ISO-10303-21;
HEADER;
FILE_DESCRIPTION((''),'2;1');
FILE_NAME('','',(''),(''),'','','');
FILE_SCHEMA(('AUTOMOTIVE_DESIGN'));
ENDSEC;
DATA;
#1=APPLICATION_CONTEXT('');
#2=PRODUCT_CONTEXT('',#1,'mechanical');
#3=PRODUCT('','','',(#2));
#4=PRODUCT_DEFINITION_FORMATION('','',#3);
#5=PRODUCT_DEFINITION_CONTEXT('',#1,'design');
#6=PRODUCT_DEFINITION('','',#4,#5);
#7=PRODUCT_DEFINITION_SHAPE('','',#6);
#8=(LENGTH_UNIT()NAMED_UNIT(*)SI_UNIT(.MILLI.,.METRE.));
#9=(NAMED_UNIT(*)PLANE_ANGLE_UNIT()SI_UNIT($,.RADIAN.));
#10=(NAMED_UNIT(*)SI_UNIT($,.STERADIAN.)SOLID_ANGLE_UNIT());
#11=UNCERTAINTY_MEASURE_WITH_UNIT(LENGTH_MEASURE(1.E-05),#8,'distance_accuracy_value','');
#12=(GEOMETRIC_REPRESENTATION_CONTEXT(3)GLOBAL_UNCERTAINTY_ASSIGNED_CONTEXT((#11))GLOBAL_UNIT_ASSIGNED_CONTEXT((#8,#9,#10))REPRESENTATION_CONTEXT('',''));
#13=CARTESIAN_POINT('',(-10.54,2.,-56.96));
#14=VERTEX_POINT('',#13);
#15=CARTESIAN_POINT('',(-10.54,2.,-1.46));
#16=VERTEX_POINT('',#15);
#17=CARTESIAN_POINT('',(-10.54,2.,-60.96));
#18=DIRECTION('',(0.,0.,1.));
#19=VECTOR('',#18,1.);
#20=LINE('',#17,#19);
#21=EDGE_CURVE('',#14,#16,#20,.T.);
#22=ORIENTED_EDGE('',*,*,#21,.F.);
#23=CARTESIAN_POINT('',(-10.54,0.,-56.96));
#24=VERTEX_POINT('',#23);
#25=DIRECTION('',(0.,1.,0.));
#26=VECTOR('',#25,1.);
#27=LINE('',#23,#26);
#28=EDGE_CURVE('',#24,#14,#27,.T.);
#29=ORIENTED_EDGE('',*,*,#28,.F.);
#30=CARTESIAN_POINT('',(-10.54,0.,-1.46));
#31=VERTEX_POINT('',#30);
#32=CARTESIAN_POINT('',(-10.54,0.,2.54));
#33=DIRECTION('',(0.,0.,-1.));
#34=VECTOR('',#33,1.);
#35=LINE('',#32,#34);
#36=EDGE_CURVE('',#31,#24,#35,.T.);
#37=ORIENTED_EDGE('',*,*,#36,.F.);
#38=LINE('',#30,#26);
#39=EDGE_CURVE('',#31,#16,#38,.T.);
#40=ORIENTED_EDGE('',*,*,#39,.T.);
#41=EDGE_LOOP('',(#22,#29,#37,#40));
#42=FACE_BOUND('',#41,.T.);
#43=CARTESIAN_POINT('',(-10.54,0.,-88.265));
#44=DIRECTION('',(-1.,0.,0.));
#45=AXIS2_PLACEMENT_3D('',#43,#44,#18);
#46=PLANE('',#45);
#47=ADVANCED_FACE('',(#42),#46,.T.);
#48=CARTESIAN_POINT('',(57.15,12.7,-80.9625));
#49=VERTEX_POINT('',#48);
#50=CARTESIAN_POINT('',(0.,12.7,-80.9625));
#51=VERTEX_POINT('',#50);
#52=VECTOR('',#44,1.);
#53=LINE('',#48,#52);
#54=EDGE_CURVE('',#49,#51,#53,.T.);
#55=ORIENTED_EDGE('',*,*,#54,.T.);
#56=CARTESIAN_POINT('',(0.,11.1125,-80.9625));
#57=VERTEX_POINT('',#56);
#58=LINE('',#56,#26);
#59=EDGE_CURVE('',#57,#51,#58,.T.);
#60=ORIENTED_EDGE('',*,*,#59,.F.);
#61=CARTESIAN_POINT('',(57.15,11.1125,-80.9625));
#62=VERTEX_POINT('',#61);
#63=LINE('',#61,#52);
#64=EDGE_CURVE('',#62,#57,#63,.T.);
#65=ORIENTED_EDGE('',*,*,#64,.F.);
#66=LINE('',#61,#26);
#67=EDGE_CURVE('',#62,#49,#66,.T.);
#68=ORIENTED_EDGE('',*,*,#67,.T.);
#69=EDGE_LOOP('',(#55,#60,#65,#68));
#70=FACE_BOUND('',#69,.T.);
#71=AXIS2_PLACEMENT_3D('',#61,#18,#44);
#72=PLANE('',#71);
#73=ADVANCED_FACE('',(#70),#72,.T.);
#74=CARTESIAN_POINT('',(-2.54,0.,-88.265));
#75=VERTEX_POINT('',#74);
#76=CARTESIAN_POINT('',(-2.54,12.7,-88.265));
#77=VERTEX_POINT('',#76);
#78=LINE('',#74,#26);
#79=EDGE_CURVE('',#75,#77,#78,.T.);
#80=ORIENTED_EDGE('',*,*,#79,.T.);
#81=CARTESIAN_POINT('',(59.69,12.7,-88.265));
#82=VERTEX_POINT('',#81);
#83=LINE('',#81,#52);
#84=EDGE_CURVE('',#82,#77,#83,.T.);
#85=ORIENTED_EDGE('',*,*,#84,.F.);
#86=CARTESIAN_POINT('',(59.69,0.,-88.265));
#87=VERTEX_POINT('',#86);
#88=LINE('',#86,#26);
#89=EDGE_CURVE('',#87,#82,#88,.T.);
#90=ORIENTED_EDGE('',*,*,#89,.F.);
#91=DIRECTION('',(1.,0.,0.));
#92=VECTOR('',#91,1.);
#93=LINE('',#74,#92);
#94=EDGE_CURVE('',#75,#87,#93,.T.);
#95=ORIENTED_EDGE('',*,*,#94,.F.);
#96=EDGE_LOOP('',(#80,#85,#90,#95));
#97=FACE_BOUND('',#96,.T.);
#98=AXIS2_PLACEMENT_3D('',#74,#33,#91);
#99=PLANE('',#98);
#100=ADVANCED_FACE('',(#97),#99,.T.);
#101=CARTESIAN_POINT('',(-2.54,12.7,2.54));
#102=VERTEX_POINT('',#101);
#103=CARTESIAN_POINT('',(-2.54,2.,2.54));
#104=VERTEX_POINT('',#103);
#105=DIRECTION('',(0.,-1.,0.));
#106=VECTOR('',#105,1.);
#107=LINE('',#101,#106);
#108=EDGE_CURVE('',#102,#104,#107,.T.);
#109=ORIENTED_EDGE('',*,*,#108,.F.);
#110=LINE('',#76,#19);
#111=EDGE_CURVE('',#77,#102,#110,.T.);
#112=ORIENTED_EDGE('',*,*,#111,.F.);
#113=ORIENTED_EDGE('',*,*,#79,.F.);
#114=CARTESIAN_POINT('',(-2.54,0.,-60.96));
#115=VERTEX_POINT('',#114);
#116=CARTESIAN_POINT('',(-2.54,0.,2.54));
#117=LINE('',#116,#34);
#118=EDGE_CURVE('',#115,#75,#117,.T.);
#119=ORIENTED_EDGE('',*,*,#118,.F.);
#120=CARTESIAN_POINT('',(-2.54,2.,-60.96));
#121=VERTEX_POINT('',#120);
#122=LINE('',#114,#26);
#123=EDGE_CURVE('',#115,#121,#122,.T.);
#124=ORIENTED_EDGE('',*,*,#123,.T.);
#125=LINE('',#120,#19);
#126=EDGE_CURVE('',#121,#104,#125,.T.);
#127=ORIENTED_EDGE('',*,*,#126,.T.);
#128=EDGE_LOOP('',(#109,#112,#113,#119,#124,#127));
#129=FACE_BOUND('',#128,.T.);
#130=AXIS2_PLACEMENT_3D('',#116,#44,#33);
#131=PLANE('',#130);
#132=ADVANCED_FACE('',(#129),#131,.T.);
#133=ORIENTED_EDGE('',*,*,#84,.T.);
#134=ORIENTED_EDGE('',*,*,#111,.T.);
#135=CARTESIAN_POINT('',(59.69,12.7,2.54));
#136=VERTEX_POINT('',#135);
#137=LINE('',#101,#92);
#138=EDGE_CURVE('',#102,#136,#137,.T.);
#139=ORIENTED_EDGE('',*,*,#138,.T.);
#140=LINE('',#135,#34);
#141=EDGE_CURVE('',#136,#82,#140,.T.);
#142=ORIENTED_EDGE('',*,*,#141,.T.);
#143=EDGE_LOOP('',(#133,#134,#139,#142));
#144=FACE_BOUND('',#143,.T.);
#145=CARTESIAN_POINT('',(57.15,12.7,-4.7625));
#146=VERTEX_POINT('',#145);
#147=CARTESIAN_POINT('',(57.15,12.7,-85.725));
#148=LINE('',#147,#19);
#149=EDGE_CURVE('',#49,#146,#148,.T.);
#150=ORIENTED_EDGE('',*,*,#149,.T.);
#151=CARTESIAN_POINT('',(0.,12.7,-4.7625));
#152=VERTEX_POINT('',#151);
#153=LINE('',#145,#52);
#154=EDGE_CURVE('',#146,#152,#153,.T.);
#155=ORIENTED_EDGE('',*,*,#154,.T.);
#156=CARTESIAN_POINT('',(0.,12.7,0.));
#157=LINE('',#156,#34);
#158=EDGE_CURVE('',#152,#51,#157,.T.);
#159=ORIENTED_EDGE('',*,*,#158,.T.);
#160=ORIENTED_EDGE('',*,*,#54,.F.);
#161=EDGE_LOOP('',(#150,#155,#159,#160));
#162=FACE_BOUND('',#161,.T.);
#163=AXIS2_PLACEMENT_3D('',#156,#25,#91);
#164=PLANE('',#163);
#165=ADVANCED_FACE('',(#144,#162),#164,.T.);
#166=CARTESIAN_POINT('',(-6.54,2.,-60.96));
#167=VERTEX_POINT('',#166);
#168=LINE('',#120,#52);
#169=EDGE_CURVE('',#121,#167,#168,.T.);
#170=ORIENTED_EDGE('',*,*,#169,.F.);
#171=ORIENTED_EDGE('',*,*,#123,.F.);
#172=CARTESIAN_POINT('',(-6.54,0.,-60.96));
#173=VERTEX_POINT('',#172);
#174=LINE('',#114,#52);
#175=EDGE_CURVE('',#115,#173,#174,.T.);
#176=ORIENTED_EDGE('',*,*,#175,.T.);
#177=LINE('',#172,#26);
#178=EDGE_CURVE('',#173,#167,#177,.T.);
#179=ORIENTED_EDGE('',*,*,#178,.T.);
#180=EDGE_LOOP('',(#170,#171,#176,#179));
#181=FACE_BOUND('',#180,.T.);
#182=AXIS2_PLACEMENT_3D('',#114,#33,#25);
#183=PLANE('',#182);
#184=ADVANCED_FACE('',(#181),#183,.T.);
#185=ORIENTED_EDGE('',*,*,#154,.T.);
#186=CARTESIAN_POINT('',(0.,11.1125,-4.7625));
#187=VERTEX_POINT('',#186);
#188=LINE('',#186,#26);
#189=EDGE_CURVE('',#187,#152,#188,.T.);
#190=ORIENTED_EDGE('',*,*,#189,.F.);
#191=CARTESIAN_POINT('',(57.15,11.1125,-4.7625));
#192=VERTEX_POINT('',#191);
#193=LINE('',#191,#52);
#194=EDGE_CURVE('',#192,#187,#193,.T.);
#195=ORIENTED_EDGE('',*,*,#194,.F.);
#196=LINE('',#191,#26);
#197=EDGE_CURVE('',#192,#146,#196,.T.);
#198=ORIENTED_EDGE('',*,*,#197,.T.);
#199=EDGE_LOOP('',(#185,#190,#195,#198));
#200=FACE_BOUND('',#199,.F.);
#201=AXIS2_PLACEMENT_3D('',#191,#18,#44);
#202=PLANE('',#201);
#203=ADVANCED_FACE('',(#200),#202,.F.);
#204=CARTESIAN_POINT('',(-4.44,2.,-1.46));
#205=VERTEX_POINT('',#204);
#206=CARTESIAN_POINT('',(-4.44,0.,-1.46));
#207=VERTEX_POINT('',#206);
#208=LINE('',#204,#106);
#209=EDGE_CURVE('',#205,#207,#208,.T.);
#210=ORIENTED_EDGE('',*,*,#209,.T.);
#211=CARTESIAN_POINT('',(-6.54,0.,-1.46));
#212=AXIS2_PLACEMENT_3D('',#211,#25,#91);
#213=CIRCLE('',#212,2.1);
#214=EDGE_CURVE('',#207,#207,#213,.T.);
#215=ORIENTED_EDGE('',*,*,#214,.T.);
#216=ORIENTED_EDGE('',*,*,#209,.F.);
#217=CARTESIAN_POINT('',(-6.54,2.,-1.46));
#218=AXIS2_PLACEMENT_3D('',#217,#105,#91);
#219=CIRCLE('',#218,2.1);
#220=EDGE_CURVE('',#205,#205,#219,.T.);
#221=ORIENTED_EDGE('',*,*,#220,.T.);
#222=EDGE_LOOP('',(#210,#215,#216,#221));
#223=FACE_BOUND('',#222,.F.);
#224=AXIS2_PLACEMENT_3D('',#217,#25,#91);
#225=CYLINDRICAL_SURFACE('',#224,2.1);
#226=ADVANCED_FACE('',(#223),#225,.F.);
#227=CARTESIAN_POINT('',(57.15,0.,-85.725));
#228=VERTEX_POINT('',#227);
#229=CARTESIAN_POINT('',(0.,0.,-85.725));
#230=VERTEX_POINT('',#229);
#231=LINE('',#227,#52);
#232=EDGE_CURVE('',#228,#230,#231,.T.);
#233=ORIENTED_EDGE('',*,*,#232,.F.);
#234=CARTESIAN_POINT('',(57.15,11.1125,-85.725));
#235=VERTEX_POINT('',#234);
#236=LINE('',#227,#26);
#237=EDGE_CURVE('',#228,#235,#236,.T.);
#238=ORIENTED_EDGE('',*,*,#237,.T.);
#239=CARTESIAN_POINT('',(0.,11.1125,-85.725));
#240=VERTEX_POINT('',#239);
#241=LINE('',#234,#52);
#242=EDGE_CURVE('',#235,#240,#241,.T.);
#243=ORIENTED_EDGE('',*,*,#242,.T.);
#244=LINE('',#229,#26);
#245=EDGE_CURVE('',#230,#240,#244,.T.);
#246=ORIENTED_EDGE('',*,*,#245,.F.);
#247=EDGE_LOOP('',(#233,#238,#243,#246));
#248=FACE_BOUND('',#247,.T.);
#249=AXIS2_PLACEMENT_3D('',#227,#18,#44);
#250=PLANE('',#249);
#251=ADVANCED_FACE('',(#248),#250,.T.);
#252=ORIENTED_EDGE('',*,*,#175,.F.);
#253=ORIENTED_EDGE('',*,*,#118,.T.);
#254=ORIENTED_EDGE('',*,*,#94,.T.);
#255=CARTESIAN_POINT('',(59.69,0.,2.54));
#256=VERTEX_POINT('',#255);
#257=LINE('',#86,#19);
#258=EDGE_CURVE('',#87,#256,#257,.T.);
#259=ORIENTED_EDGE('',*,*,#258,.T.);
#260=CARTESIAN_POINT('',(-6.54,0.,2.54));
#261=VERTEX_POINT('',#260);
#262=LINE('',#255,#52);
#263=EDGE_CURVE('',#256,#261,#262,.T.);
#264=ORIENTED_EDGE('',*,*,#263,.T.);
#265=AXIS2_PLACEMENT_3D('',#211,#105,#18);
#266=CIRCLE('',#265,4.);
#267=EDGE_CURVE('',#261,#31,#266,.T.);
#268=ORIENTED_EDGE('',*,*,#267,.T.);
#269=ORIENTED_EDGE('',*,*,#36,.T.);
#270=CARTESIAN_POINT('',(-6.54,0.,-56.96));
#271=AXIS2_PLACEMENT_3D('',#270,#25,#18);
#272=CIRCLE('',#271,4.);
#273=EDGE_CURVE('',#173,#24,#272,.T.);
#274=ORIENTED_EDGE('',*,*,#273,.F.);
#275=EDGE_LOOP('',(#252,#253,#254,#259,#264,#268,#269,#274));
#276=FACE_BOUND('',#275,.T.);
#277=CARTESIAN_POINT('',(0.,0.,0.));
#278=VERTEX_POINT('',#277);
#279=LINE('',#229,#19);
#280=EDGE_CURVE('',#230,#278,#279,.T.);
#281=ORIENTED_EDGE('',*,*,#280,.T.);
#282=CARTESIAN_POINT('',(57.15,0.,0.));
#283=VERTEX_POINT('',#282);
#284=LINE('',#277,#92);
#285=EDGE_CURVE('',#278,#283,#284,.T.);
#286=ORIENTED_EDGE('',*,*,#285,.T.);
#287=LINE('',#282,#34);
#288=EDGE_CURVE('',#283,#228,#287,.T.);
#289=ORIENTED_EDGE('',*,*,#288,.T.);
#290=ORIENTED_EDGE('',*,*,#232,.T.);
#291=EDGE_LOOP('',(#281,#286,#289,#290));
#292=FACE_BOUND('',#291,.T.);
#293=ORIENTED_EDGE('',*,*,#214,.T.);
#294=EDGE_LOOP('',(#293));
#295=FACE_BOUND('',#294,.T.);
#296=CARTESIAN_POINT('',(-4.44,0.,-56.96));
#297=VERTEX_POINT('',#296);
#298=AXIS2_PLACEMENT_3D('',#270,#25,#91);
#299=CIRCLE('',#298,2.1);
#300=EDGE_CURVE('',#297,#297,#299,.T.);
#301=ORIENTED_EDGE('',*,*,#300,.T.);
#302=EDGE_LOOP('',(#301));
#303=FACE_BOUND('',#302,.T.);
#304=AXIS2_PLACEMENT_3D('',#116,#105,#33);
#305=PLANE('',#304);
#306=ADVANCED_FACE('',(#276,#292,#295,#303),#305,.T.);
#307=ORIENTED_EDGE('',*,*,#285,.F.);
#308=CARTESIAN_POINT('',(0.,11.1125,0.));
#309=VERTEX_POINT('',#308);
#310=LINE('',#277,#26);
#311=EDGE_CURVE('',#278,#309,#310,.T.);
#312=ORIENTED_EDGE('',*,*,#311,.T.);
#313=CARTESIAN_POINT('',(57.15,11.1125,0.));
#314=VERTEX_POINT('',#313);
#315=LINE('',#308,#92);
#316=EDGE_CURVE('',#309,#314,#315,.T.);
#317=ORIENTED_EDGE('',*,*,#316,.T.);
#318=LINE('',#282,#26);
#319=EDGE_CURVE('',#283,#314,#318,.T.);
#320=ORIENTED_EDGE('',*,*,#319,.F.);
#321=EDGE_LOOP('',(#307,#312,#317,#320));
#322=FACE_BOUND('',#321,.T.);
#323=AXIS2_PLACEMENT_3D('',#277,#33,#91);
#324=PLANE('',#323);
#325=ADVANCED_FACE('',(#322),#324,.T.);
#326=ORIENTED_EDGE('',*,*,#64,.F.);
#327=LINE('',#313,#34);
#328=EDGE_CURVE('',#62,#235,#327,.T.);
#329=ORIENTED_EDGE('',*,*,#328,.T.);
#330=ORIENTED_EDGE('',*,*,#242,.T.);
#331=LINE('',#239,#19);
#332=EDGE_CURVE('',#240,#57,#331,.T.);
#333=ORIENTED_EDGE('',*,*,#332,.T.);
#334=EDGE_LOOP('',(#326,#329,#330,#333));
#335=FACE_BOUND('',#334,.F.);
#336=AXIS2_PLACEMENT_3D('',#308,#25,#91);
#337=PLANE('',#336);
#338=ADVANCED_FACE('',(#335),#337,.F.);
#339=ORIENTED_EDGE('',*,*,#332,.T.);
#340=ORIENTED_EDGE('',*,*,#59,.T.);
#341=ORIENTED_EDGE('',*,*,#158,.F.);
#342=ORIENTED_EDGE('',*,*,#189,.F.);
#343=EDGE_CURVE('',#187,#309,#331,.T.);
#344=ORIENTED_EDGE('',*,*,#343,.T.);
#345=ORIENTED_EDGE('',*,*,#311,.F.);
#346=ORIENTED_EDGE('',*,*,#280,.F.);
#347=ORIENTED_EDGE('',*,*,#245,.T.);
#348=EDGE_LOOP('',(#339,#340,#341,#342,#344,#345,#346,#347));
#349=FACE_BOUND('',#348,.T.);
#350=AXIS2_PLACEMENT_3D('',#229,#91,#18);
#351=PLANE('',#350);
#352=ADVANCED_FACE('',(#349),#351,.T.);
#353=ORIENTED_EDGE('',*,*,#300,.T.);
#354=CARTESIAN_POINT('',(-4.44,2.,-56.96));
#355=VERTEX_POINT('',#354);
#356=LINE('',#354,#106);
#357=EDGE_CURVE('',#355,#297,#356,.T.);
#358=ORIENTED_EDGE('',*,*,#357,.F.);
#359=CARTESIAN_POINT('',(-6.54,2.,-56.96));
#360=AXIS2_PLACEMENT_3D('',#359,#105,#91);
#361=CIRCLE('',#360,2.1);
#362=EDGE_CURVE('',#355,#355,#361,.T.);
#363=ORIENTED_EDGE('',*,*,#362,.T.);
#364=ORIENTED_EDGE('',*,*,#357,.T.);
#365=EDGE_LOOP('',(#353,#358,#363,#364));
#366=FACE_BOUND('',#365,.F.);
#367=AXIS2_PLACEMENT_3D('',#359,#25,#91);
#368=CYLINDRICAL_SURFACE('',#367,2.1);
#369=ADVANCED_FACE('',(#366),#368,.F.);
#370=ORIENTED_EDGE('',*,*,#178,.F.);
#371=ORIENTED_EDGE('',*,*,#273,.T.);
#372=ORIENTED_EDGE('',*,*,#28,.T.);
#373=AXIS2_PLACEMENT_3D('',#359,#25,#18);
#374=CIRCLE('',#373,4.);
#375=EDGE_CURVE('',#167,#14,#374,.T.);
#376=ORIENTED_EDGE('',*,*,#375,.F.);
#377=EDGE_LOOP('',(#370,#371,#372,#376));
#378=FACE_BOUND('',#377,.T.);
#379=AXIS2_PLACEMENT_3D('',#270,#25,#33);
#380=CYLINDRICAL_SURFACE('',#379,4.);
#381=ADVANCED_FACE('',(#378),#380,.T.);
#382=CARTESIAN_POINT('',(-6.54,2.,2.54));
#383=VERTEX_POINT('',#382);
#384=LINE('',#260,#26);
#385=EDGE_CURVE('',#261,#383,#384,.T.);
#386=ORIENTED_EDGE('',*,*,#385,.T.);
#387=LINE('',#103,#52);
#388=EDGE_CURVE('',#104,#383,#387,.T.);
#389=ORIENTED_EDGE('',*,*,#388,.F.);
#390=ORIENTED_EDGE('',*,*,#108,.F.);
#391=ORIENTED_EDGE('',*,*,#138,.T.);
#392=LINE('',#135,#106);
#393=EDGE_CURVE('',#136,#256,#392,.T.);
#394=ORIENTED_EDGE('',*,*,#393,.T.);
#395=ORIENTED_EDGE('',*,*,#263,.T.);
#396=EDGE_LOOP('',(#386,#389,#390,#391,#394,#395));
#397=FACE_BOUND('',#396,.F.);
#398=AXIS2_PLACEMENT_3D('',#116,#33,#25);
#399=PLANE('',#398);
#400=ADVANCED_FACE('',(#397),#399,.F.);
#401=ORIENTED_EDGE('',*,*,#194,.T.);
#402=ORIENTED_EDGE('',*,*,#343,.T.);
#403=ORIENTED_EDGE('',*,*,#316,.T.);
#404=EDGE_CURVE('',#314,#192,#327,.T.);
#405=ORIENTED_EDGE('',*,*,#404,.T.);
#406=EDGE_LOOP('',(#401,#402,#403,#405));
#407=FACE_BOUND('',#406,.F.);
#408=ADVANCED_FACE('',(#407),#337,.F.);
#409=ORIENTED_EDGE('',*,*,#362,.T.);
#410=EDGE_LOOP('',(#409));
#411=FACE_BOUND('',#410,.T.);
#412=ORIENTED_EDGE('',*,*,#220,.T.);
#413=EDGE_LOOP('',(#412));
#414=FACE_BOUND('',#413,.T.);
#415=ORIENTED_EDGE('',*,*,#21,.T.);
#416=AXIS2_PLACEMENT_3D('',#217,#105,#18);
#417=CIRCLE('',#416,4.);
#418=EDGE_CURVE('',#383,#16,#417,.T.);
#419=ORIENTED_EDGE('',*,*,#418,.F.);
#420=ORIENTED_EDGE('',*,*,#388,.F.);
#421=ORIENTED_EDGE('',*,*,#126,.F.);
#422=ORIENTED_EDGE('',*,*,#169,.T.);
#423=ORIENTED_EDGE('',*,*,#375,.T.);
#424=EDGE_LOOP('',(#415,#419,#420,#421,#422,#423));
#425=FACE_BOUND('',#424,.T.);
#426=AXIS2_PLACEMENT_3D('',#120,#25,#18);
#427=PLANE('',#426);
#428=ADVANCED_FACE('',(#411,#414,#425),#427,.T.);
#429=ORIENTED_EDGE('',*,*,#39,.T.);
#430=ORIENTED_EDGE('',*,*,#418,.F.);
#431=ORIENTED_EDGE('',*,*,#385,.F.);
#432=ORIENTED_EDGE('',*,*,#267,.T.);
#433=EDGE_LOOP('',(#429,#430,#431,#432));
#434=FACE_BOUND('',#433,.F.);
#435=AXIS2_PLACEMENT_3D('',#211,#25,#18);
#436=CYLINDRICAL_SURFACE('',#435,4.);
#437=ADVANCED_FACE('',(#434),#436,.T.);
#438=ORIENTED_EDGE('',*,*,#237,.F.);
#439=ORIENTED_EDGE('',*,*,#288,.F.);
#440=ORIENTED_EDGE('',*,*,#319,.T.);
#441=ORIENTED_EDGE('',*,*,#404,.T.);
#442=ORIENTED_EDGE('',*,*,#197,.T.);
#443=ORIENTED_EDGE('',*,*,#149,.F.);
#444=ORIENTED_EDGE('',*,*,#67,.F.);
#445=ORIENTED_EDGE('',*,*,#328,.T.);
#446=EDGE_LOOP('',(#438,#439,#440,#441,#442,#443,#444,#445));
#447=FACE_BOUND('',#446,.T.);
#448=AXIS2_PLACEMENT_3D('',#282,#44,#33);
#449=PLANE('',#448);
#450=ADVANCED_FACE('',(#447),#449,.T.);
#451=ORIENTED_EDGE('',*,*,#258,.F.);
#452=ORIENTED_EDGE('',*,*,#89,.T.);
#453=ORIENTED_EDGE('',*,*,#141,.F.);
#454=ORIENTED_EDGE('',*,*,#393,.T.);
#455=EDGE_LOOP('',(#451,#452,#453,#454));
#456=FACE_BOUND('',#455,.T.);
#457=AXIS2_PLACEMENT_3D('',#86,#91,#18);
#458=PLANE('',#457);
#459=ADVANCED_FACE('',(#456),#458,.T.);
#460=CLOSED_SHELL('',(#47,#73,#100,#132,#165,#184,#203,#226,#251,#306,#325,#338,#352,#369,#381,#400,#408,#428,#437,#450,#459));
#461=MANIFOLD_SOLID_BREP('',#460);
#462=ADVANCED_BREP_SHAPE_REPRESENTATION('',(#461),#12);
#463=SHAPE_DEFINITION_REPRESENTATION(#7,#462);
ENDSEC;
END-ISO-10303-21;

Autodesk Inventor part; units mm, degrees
ref_plane "YZ Plane" through (0, 0, 0) normal (1, 0, 0) x (0, 1, 0)
ref_plane "XZ Plane" through (0, 0, 0) normal (0, 1, 0) x (-1, 0, 0)
ref_plane "XY Plane" through (0, 0, 0) normal (0, 0, 1) x (1, 0, 0)
sketch "Sketch1" plane through (0, 0, 0) normal (0, 1, 0) x (-1, 0, 0)
  line L0 (0, 0) -> (-57.15, 0)
  line L1 (-57.15, 0) -> (-57.15, -85.725)
  line L2 (-57.15, -85.725) -> (0, -85.725)
  line L3 (0, -85.725) -> (0, 0)
  line L4 (-59.69, -88.265) -> (-59.69, 2.54)
  line L5 (-59.69, 2.54) -> (2.54, 2.54)
  line L6 (2.54, 2.54) -> (2.54, -88.265)
  line L7 (2.54, -88.265) -> (-59.69, -88.265)
  dimension "d0" = 57.15
  dimension "d1" = 85.725
  dimension "d2" = 2.54
extrude "Extrusion1" add sketch "Sketch1" along normal blind 11.1125
sketch "Sketch2" plane through (0, 11.1125, 0) normal (0, 1, 0) x (1, 0, 0)
  line L0 (57.15, 0) -> (0, 0) projected
  line L1 (0, 85.725) -> (57.15, 85.725) projected
  line L2 (0, 0) -> (0, 85.725) projected
  line L3 (57.15, 85.725) -> (57.15, 0) projected
  line L4 (0, 85.725) -> (57.15, 85.725)
  line L5 (57.15, 85.725) -> (57.15, 80.9625)
  line L6 (57.15, 80.9625) -> (0, 80.9625)
  line L7 (0, 80.9625) -> (0, 85.725)
  line L8 (59.69, 88.265) -> (-2.54, 88.265) projected
  line L9 (-2.54, -2.54) -> (59.69, -2.54) projected
  line L10 (0, 0) -> (57.15, 0)
  line L11 (57.15, 0) -> (57.15, 4.7625)
  line L12 (57.15, 4.7625) -> (0, 4.7625)
  line L13 (0, 4.7625) -> (0, 0)
  line L14 (0, 0) -> (0, 85.725) projected
  line L15 (0, 85.725) -> (57.15, 85.725) projected
  line L16 (57.15, 85.725) -> (57.15, 0) projected
  line L17 (57.15, 0) -> (0, 0) projected
  line L18 (59.69, -2.54) -> (59.69, 88.265) projected
  line L19 (59.69, 88.265) -> (-2.54, 88.265) projected
  line L20 (-2.54, 88.265) -> (-2.54, -2.54) projected
  line L21 (-2.54, -2.54) -> (59.69, -2.54) projected
  dimension "d5" = 4.7625
  dimension "d6" = 4.7625
extrude "Extrusion2" add sketch "Sketch2" along normal blind 1.5875 contours L0 L2 L12 L3 | L6 L2 L1 L3 | L18 L9 L20 L8
sketch "Sketch4" plane through (-2.54, 0, -88.265) normal (-1, 0, 0) x (0, 0, 1)
  line L0 (90.805, 0) -> (0, 0) projected
  line L1 (90.805, 0) -> (90.805, 12.7) projected
  line L2 (0, 12.7) -> (90.805, 12.7) projected
  line L3 (0, 0) -> (0, 12.7) projected
  line L4 (90.805, 0) -> (90.805, 12.7) projected
  line L5 (90.805, 0) -> (27.305, 0)
  line L6 (27.305, 0) -> (27.305, 2)
  line L7 (27.305, 2) -> (90.805, 2)
  line L8 (90.805, 2) -> (90.805, 0)
  point P0 (88.265, 0)
  dimension "d13" = 63.5
  dimension "d14" = 2
extrude "Extrusion4" add sketch "Sketch4" along normal blind 8 contours L0 L6 L7 L1
fillet "Fillet2" radius 4 2 edges at (-10.54, 1, 2.54) (-10.54, 1, -60.96)
sketch "Sketch5" plane through (-2.54, 2, 2.54) normal (0, 1, 0) x (1, 0, 0)
  line L0 (-8, 4) -> (-8, 59.5) projected
  line L1 (-8, 4) -> (0, 4)
  line L2 (0, 63.5) -> (0, 0) projected
  circle A0 centre (-4, 4) radius 2.1
  line L3 (-8, 59.5) -> (0, 59.5)
  circle A1 centre (-4, 59.5) radius 2.1
  point P0 (2.54, 2.54)
  dimension "d20" = 4.2
  dimension "d21" = 4.2
extrude "Extrusion5" cut sketch "Sketch5" against normal up to next contours A0 L1 | L1 A0 | A1 L3 | L3 A1
properties part number "MiniBreadboardHolder"
